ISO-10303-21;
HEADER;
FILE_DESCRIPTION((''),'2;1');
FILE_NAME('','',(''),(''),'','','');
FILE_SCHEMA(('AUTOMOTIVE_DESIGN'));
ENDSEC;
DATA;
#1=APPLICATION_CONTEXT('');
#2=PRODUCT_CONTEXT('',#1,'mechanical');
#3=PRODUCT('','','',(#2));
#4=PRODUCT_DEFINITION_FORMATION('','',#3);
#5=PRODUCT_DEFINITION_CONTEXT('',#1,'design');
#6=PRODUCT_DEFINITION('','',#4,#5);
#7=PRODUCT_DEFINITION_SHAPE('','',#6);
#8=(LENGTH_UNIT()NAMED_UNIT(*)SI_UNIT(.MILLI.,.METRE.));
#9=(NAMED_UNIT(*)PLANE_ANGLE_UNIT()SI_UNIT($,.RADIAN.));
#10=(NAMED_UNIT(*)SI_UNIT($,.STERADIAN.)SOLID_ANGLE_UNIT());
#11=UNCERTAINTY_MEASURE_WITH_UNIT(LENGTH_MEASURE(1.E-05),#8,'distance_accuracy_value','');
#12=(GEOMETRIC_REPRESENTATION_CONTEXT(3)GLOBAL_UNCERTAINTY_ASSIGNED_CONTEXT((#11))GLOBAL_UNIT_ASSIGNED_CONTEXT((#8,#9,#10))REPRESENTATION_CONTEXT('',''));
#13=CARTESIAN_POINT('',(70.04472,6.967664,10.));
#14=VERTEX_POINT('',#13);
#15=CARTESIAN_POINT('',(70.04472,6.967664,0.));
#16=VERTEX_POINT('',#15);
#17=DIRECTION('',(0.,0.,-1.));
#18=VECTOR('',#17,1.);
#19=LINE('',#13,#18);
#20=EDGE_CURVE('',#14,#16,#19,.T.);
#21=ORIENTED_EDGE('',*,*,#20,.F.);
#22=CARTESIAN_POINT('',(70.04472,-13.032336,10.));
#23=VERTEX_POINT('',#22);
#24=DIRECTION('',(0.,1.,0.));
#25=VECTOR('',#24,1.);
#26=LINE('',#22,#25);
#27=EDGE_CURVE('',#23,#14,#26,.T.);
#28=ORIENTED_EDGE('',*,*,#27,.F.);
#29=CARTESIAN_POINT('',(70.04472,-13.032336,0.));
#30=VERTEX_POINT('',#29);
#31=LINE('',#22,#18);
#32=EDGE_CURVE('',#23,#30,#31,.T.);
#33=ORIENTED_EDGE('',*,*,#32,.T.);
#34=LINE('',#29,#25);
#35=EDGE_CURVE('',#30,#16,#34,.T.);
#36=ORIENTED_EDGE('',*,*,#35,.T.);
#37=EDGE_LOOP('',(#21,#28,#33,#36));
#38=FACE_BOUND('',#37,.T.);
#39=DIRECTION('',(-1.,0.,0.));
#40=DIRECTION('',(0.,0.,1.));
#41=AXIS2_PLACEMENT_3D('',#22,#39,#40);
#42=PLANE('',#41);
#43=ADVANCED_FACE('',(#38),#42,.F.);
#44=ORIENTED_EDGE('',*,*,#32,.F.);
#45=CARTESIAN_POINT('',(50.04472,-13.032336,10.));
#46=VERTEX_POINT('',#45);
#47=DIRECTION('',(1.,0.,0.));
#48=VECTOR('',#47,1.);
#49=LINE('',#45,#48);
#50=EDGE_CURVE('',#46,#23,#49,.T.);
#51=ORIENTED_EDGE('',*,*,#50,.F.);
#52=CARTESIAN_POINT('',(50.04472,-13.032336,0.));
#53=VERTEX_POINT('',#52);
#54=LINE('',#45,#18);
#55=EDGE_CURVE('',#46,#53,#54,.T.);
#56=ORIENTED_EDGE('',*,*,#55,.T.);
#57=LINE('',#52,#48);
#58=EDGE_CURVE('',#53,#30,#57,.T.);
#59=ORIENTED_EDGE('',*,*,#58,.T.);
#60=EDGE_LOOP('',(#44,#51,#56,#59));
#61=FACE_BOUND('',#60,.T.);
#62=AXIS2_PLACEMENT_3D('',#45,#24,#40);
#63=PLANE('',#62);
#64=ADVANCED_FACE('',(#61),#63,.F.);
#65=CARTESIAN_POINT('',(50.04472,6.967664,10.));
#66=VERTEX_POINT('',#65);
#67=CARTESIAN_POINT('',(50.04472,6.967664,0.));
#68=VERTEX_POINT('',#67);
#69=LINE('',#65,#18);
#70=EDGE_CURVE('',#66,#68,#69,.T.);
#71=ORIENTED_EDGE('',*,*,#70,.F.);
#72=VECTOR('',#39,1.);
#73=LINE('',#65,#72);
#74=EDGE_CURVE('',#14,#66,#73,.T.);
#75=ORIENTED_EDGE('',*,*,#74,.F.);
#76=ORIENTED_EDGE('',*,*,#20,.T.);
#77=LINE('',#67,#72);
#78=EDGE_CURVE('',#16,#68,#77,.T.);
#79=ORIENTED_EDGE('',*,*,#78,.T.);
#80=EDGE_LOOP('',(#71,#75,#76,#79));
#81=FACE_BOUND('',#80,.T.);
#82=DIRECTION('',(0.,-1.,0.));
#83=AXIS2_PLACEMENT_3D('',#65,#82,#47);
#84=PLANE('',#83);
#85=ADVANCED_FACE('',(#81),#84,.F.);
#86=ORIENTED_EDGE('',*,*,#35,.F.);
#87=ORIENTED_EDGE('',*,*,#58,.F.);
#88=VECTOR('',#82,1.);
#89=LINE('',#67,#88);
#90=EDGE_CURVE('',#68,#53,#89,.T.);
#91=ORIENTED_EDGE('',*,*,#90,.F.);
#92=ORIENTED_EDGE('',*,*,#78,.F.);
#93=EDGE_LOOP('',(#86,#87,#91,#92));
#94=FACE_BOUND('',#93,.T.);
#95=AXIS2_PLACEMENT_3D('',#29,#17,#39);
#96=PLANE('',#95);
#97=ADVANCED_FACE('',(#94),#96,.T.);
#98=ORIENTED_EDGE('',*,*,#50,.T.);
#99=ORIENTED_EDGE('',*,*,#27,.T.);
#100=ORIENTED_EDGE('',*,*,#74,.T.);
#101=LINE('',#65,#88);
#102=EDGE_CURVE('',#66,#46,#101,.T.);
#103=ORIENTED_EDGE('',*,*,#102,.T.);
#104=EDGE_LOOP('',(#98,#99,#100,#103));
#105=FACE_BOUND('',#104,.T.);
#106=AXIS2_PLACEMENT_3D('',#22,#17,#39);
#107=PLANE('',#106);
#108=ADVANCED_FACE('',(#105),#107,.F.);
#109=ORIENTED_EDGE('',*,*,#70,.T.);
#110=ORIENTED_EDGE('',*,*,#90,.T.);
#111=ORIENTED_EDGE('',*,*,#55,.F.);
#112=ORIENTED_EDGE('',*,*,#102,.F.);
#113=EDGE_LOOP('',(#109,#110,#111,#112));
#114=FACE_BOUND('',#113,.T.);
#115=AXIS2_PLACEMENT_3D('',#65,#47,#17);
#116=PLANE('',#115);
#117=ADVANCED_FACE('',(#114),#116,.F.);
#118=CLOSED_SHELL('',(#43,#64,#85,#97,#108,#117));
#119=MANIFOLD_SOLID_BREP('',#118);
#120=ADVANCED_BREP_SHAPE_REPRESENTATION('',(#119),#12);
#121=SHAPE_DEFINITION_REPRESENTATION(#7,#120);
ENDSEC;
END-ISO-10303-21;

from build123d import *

# Parameters (mm, degrees)
ESQUISSE1_W          = 20
ESQUISSE1_H          = 20
BASE_EXTRUSION_DEPTH = 10


with BuildPart() as part:
    # Esquisse1 → Base-Extrusion (new body)
    with BuildSketch(Plane.XY):
        with Locations((60.044719642, -3.032335741)):
            Rectangle(ESQUISSE1_W, ESQUISSE1_H)
    extrude(amount=BASE_EXTRUSION_DEPTH)


solid = part.part
